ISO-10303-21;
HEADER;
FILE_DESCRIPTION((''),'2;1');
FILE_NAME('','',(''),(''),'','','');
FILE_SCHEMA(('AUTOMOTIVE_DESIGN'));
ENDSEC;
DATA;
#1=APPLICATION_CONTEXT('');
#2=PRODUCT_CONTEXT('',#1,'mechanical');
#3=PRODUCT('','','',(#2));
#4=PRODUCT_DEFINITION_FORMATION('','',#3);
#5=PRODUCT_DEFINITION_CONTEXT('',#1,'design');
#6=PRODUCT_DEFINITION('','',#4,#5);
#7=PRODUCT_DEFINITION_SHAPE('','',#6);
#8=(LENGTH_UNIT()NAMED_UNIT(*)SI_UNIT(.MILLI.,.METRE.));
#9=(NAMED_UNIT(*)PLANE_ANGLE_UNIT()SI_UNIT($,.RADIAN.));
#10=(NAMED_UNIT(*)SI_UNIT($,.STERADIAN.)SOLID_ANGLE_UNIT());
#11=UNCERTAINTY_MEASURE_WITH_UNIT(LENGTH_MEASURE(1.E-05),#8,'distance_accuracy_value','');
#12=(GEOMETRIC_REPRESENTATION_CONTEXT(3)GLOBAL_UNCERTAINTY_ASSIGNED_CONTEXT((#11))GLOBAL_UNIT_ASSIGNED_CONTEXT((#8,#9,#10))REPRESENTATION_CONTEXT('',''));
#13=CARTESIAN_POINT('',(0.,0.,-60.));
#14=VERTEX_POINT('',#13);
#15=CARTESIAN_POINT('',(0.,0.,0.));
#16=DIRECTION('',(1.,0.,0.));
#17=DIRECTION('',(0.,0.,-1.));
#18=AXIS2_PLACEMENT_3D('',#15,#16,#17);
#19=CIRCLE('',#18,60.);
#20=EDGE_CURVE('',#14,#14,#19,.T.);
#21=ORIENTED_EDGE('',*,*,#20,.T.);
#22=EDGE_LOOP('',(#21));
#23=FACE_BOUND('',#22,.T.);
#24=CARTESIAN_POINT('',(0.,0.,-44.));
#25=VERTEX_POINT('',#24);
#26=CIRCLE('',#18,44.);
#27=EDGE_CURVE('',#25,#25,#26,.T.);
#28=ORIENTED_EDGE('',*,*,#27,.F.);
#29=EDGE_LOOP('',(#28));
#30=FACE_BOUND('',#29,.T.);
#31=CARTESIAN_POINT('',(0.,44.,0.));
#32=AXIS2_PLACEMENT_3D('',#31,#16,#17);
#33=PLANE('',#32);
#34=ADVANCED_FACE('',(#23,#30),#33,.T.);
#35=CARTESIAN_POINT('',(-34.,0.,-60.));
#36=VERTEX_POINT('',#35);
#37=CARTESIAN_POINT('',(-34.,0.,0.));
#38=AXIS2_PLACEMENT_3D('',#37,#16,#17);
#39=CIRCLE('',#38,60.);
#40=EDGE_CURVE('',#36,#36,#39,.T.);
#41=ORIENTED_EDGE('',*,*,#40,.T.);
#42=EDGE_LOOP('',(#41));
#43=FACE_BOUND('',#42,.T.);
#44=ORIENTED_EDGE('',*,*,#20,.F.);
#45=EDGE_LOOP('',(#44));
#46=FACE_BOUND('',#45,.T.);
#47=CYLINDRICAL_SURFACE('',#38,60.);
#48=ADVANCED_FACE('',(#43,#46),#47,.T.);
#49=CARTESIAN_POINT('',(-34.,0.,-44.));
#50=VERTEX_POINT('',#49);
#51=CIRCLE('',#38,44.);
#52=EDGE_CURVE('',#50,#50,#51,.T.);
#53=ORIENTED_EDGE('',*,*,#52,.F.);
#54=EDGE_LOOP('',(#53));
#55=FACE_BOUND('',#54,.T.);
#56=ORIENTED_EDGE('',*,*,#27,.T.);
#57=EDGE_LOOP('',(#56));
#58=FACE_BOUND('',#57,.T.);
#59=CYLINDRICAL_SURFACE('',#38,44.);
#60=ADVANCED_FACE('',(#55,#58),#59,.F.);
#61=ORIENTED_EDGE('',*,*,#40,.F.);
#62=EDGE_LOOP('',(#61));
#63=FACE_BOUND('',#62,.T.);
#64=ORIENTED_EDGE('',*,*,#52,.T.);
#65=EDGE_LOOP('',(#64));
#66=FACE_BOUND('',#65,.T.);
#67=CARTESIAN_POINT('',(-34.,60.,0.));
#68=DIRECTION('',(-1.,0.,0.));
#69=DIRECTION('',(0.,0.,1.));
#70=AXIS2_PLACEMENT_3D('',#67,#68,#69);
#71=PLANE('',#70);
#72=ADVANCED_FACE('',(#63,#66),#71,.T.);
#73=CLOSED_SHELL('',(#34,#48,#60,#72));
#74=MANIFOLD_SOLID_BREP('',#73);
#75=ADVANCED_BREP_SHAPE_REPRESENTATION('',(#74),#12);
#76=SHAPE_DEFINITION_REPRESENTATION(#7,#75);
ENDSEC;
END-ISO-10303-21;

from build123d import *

# Parameters (mm, degrees)
SKETCH_1_W = 34
SKETCH_1_H = 16


with BuildPart() as part:
    # Эскиз1 → Повернуть1 (revolve)
    with BuildSketch(Plane.XY, mode=Mode.PRIVATE) as revolve_1_sk:
        with Locations((-17, 52)):
            Rectangle(SKETCH_1_W, SKETCH_1_H)
    revolve(revolve_1_sk.sketch.rotate(Axis((-34, 0, 0), (1, 0, 0)), 270), axis=Axis((-34, 0, 0), (1, 0, 0)))


solid = part.part
